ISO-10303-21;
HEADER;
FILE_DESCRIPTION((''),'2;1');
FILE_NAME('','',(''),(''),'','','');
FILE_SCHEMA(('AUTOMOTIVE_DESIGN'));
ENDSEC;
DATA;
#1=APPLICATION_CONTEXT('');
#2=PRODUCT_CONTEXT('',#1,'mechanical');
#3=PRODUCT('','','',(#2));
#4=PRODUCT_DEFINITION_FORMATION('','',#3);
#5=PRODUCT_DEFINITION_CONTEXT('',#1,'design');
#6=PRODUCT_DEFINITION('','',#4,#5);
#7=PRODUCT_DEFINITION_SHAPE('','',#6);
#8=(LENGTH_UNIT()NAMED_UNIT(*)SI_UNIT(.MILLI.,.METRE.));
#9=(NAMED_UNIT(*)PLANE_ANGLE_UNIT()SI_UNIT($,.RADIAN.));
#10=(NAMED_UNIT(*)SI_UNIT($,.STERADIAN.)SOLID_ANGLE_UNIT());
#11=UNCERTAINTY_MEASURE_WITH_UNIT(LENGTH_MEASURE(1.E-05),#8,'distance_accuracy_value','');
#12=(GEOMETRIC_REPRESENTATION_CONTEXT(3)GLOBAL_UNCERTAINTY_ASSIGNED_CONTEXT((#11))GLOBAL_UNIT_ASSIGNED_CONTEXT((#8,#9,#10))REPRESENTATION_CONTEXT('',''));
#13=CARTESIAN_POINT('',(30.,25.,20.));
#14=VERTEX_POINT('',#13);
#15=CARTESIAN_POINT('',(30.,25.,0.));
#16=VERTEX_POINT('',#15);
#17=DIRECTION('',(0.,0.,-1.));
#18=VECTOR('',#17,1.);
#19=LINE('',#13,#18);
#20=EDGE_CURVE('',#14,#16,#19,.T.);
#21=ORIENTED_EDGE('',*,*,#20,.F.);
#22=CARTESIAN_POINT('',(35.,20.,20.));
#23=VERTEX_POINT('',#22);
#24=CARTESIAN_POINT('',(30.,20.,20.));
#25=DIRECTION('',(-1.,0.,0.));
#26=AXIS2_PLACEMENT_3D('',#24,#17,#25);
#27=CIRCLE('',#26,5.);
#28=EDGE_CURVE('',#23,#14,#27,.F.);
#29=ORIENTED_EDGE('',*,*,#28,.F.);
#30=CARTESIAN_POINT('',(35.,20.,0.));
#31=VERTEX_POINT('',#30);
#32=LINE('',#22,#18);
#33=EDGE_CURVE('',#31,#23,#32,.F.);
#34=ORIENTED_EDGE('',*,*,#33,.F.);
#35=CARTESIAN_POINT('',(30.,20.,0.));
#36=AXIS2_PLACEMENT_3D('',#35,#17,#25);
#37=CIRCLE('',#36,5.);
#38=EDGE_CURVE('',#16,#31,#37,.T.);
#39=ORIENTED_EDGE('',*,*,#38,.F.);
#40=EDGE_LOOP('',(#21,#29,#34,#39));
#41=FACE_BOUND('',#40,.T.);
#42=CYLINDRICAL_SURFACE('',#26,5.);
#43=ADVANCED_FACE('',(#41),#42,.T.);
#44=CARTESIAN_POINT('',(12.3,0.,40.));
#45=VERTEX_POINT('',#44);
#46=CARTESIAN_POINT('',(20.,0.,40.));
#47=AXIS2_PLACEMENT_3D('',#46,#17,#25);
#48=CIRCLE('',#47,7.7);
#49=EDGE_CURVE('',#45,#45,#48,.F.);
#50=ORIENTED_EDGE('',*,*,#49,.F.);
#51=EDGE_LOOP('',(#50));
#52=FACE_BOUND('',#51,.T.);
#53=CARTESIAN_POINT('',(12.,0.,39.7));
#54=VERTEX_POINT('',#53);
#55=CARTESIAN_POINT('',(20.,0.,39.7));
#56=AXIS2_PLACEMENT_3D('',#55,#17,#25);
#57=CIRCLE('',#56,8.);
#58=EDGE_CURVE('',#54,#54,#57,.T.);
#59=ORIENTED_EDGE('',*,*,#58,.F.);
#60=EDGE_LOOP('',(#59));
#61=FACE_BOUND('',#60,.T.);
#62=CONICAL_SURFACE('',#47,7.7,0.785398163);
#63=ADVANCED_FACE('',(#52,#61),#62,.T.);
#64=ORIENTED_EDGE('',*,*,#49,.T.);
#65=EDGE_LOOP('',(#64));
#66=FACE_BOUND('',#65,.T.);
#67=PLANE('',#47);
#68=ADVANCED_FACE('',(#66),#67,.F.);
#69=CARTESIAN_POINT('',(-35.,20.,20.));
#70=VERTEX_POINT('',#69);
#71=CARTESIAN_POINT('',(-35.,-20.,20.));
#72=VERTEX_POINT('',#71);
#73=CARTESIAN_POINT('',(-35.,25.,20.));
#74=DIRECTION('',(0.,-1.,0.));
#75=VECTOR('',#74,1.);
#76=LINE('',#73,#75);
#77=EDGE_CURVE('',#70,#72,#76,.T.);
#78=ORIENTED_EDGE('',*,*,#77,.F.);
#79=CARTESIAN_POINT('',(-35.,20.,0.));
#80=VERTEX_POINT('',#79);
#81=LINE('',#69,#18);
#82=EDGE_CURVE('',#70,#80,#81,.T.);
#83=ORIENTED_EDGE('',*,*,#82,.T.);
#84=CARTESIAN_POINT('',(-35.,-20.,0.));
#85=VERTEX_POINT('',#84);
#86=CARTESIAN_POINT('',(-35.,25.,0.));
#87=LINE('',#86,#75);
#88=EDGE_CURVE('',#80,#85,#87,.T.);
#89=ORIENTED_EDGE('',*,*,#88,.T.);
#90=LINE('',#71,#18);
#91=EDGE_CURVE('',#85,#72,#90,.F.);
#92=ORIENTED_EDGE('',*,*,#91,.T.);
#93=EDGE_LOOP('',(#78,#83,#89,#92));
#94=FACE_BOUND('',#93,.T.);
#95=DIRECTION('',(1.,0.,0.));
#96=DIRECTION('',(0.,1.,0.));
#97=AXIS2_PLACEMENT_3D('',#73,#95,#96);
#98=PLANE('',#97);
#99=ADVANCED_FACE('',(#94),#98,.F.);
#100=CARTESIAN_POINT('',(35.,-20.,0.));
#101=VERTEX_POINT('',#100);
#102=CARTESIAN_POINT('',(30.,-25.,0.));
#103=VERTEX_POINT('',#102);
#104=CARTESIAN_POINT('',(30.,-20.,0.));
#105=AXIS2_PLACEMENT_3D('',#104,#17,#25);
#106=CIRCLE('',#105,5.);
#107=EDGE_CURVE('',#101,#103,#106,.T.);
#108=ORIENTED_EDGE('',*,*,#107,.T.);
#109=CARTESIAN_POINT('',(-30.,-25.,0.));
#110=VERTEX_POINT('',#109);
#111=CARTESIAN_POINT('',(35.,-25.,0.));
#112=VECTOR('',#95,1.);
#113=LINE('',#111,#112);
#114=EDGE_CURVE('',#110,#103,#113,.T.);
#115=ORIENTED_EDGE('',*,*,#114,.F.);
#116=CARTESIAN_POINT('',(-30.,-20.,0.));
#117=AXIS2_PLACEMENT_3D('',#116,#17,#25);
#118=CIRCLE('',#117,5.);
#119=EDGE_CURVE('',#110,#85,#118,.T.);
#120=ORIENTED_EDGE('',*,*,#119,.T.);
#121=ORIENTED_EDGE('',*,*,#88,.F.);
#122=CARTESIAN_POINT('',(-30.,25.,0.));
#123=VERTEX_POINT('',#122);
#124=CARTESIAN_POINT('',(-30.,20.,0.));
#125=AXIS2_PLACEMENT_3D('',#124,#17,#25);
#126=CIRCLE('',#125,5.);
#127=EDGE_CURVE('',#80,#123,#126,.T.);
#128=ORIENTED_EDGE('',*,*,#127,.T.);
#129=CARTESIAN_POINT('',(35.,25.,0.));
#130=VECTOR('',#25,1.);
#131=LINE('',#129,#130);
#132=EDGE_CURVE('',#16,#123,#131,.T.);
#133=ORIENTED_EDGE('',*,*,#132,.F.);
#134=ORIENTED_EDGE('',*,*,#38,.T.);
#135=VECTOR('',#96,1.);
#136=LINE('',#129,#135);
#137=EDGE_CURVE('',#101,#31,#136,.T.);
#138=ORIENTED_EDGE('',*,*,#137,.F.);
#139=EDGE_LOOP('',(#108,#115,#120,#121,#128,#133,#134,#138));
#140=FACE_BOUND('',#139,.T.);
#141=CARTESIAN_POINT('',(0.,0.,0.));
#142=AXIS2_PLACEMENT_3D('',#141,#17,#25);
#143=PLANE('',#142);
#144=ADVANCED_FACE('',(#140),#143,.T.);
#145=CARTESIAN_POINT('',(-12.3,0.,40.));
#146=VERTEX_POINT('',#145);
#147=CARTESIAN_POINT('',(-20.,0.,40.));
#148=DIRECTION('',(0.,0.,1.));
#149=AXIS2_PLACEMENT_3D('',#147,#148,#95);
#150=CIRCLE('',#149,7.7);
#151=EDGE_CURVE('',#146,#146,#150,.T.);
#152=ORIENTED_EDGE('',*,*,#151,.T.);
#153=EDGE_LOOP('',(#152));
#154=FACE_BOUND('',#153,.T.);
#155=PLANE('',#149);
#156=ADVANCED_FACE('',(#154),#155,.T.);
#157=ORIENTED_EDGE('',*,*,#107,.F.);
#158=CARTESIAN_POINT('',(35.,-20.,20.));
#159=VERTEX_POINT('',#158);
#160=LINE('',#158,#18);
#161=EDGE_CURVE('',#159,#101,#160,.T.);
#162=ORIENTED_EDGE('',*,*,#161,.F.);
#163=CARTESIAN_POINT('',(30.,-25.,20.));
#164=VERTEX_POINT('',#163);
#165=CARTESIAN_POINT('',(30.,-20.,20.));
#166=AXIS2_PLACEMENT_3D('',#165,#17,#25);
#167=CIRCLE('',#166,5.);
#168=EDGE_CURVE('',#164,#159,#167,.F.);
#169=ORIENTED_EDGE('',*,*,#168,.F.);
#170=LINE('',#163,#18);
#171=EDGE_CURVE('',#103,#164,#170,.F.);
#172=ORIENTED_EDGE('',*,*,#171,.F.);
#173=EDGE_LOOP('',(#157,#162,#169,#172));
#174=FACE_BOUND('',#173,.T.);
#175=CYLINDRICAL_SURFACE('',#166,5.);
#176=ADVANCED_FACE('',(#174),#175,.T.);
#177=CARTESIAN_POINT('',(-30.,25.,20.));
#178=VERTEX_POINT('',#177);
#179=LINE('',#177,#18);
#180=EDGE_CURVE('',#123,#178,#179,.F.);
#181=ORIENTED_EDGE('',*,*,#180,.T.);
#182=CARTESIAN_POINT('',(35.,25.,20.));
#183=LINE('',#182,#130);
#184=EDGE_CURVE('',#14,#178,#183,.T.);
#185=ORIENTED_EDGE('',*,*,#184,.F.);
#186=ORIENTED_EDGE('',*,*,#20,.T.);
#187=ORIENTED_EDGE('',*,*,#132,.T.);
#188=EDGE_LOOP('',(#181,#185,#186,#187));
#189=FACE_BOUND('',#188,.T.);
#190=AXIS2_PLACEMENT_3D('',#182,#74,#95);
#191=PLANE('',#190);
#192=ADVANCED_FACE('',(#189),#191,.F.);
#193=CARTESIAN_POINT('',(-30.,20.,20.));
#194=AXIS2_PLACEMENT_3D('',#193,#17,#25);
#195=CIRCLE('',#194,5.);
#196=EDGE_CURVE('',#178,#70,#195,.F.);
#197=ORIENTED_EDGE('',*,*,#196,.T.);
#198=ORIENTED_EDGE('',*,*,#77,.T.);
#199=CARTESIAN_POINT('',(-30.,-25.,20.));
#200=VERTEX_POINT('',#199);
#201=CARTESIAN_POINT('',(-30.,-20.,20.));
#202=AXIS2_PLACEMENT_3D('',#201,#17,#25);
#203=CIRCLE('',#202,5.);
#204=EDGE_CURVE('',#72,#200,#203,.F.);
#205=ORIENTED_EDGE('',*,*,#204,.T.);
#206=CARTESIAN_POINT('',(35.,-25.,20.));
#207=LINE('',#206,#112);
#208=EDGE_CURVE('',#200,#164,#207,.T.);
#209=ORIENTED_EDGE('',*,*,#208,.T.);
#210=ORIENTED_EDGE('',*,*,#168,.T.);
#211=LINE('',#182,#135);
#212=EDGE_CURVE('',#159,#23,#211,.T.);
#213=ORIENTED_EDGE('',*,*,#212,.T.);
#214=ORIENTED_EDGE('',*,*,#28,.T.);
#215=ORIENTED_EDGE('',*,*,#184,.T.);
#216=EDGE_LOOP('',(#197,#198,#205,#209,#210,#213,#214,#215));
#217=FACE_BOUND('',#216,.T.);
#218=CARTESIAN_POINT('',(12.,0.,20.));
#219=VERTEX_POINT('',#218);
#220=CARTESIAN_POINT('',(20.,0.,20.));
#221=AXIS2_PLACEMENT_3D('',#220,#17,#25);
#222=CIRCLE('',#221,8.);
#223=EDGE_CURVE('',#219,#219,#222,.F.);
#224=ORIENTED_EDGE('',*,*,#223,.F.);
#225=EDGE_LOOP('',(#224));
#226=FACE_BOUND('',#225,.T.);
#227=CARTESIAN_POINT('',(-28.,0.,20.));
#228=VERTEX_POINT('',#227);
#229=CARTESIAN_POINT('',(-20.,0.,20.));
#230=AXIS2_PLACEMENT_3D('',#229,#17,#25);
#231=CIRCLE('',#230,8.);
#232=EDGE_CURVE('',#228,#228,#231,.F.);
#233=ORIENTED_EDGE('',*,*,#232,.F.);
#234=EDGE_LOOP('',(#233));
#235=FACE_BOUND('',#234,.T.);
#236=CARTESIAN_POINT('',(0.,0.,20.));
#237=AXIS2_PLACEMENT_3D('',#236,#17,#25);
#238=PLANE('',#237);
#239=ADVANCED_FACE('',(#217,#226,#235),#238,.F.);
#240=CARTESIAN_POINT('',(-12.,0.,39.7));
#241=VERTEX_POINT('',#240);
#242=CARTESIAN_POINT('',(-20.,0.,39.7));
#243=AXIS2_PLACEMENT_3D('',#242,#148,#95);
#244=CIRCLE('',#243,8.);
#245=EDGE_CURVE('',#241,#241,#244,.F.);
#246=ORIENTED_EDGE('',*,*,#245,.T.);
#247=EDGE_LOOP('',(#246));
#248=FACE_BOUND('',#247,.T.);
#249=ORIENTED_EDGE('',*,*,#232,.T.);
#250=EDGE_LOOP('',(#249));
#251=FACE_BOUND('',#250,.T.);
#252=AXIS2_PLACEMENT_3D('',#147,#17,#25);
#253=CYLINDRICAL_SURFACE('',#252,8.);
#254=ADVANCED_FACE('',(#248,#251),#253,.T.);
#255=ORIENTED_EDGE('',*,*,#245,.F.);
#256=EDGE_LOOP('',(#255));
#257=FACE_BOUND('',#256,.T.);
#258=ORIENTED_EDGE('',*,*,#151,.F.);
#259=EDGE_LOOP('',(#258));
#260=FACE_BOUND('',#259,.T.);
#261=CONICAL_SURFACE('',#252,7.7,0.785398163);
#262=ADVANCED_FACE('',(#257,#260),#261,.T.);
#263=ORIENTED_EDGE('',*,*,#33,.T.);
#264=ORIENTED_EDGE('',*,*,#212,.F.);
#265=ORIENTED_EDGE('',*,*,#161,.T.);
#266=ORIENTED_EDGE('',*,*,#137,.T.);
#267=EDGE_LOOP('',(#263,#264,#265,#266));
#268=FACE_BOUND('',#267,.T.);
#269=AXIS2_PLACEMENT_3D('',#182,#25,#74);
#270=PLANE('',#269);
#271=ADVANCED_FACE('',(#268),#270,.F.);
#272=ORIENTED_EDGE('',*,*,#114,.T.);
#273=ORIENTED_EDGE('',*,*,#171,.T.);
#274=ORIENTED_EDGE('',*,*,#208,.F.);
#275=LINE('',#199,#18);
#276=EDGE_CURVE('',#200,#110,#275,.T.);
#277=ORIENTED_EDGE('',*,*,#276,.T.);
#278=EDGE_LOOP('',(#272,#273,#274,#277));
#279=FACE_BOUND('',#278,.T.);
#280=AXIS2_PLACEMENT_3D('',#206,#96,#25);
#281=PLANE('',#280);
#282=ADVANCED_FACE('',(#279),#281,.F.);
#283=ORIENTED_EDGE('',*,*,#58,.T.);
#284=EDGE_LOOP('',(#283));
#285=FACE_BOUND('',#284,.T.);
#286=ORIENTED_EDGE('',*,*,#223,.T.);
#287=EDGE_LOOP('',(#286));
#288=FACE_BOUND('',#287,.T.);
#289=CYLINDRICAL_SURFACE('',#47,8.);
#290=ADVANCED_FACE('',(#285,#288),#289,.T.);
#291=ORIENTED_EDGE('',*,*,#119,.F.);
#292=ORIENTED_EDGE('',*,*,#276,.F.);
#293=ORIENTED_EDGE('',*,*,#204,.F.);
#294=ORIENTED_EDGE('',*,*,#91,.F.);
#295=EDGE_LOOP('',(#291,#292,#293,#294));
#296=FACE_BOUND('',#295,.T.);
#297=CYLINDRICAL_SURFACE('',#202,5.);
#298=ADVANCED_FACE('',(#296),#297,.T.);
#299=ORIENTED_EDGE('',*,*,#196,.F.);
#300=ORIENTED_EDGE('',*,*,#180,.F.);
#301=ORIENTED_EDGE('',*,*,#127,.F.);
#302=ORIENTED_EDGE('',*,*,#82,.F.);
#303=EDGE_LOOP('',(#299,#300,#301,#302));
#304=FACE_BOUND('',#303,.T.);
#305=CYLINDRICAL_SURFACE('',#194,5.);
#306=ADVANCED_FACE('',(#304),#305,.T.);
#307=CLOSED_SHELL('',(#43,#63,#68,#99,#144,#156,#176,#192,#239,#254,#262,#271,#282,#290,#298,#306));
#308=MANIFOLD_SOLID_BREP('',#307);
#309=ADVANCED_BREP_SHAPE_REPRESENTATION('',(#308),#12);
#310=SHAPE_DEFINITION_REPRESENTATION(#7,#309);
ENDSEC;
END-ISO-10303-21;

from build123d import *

# Parameters (mm, degrees)
SKETCH_1_W      = 70
SKETCH_1_H      = 50
EXTRUDE_1_DEPTH = 20
SKETCH_2_R      = 8
EXTRUDE_2_DEPTH = 20
CHAMFER_1_SIZE  = 0.3
FILLET_1_R      = 5


with BuildPart() as part:
    # Эскиз1 → Бобышка-Вытянуть1 (new body)
    with BuildSketch(Plane.XY):
        Rectangle(SKETCH_1_W, SKETCH_1_H)
    extrude(amount=EXTRUDE_1_DEPTH)

    # Эскиз2 → Бобышка-Вытянуть2 (add)
    with BuildSketch(Plane.XY.offset(20)):
        with Locations((-20, 0)):
            Circle(SKETCH_2_R)
        with Locations((20, 0)):
            Circle(SKETCH_2_R)
    extrude(amount=EXTRUDE_2_DEPTH)

    # Фаска1
    chamfer_1_edges = [part.edges().sort_by_distance(p)[0] for p in [
        (12, 0, 40),
        (-28, 0, 40),
    ]]
    chamfer(chamfer_1_edges, length=CHAMFER_1_SIZE)

    # Скругление1
    fillet_1_edges = [part.edges().sort_by_distance(p)[0] for p in [
        (-35, -25, 10),
        (35, -25, 10),
        (35, 25, 10),
        (-35, 25, 10),
    ]]
    fillet(fillet_1_edges, radius=FILLET_1_R)


solid = part.part
